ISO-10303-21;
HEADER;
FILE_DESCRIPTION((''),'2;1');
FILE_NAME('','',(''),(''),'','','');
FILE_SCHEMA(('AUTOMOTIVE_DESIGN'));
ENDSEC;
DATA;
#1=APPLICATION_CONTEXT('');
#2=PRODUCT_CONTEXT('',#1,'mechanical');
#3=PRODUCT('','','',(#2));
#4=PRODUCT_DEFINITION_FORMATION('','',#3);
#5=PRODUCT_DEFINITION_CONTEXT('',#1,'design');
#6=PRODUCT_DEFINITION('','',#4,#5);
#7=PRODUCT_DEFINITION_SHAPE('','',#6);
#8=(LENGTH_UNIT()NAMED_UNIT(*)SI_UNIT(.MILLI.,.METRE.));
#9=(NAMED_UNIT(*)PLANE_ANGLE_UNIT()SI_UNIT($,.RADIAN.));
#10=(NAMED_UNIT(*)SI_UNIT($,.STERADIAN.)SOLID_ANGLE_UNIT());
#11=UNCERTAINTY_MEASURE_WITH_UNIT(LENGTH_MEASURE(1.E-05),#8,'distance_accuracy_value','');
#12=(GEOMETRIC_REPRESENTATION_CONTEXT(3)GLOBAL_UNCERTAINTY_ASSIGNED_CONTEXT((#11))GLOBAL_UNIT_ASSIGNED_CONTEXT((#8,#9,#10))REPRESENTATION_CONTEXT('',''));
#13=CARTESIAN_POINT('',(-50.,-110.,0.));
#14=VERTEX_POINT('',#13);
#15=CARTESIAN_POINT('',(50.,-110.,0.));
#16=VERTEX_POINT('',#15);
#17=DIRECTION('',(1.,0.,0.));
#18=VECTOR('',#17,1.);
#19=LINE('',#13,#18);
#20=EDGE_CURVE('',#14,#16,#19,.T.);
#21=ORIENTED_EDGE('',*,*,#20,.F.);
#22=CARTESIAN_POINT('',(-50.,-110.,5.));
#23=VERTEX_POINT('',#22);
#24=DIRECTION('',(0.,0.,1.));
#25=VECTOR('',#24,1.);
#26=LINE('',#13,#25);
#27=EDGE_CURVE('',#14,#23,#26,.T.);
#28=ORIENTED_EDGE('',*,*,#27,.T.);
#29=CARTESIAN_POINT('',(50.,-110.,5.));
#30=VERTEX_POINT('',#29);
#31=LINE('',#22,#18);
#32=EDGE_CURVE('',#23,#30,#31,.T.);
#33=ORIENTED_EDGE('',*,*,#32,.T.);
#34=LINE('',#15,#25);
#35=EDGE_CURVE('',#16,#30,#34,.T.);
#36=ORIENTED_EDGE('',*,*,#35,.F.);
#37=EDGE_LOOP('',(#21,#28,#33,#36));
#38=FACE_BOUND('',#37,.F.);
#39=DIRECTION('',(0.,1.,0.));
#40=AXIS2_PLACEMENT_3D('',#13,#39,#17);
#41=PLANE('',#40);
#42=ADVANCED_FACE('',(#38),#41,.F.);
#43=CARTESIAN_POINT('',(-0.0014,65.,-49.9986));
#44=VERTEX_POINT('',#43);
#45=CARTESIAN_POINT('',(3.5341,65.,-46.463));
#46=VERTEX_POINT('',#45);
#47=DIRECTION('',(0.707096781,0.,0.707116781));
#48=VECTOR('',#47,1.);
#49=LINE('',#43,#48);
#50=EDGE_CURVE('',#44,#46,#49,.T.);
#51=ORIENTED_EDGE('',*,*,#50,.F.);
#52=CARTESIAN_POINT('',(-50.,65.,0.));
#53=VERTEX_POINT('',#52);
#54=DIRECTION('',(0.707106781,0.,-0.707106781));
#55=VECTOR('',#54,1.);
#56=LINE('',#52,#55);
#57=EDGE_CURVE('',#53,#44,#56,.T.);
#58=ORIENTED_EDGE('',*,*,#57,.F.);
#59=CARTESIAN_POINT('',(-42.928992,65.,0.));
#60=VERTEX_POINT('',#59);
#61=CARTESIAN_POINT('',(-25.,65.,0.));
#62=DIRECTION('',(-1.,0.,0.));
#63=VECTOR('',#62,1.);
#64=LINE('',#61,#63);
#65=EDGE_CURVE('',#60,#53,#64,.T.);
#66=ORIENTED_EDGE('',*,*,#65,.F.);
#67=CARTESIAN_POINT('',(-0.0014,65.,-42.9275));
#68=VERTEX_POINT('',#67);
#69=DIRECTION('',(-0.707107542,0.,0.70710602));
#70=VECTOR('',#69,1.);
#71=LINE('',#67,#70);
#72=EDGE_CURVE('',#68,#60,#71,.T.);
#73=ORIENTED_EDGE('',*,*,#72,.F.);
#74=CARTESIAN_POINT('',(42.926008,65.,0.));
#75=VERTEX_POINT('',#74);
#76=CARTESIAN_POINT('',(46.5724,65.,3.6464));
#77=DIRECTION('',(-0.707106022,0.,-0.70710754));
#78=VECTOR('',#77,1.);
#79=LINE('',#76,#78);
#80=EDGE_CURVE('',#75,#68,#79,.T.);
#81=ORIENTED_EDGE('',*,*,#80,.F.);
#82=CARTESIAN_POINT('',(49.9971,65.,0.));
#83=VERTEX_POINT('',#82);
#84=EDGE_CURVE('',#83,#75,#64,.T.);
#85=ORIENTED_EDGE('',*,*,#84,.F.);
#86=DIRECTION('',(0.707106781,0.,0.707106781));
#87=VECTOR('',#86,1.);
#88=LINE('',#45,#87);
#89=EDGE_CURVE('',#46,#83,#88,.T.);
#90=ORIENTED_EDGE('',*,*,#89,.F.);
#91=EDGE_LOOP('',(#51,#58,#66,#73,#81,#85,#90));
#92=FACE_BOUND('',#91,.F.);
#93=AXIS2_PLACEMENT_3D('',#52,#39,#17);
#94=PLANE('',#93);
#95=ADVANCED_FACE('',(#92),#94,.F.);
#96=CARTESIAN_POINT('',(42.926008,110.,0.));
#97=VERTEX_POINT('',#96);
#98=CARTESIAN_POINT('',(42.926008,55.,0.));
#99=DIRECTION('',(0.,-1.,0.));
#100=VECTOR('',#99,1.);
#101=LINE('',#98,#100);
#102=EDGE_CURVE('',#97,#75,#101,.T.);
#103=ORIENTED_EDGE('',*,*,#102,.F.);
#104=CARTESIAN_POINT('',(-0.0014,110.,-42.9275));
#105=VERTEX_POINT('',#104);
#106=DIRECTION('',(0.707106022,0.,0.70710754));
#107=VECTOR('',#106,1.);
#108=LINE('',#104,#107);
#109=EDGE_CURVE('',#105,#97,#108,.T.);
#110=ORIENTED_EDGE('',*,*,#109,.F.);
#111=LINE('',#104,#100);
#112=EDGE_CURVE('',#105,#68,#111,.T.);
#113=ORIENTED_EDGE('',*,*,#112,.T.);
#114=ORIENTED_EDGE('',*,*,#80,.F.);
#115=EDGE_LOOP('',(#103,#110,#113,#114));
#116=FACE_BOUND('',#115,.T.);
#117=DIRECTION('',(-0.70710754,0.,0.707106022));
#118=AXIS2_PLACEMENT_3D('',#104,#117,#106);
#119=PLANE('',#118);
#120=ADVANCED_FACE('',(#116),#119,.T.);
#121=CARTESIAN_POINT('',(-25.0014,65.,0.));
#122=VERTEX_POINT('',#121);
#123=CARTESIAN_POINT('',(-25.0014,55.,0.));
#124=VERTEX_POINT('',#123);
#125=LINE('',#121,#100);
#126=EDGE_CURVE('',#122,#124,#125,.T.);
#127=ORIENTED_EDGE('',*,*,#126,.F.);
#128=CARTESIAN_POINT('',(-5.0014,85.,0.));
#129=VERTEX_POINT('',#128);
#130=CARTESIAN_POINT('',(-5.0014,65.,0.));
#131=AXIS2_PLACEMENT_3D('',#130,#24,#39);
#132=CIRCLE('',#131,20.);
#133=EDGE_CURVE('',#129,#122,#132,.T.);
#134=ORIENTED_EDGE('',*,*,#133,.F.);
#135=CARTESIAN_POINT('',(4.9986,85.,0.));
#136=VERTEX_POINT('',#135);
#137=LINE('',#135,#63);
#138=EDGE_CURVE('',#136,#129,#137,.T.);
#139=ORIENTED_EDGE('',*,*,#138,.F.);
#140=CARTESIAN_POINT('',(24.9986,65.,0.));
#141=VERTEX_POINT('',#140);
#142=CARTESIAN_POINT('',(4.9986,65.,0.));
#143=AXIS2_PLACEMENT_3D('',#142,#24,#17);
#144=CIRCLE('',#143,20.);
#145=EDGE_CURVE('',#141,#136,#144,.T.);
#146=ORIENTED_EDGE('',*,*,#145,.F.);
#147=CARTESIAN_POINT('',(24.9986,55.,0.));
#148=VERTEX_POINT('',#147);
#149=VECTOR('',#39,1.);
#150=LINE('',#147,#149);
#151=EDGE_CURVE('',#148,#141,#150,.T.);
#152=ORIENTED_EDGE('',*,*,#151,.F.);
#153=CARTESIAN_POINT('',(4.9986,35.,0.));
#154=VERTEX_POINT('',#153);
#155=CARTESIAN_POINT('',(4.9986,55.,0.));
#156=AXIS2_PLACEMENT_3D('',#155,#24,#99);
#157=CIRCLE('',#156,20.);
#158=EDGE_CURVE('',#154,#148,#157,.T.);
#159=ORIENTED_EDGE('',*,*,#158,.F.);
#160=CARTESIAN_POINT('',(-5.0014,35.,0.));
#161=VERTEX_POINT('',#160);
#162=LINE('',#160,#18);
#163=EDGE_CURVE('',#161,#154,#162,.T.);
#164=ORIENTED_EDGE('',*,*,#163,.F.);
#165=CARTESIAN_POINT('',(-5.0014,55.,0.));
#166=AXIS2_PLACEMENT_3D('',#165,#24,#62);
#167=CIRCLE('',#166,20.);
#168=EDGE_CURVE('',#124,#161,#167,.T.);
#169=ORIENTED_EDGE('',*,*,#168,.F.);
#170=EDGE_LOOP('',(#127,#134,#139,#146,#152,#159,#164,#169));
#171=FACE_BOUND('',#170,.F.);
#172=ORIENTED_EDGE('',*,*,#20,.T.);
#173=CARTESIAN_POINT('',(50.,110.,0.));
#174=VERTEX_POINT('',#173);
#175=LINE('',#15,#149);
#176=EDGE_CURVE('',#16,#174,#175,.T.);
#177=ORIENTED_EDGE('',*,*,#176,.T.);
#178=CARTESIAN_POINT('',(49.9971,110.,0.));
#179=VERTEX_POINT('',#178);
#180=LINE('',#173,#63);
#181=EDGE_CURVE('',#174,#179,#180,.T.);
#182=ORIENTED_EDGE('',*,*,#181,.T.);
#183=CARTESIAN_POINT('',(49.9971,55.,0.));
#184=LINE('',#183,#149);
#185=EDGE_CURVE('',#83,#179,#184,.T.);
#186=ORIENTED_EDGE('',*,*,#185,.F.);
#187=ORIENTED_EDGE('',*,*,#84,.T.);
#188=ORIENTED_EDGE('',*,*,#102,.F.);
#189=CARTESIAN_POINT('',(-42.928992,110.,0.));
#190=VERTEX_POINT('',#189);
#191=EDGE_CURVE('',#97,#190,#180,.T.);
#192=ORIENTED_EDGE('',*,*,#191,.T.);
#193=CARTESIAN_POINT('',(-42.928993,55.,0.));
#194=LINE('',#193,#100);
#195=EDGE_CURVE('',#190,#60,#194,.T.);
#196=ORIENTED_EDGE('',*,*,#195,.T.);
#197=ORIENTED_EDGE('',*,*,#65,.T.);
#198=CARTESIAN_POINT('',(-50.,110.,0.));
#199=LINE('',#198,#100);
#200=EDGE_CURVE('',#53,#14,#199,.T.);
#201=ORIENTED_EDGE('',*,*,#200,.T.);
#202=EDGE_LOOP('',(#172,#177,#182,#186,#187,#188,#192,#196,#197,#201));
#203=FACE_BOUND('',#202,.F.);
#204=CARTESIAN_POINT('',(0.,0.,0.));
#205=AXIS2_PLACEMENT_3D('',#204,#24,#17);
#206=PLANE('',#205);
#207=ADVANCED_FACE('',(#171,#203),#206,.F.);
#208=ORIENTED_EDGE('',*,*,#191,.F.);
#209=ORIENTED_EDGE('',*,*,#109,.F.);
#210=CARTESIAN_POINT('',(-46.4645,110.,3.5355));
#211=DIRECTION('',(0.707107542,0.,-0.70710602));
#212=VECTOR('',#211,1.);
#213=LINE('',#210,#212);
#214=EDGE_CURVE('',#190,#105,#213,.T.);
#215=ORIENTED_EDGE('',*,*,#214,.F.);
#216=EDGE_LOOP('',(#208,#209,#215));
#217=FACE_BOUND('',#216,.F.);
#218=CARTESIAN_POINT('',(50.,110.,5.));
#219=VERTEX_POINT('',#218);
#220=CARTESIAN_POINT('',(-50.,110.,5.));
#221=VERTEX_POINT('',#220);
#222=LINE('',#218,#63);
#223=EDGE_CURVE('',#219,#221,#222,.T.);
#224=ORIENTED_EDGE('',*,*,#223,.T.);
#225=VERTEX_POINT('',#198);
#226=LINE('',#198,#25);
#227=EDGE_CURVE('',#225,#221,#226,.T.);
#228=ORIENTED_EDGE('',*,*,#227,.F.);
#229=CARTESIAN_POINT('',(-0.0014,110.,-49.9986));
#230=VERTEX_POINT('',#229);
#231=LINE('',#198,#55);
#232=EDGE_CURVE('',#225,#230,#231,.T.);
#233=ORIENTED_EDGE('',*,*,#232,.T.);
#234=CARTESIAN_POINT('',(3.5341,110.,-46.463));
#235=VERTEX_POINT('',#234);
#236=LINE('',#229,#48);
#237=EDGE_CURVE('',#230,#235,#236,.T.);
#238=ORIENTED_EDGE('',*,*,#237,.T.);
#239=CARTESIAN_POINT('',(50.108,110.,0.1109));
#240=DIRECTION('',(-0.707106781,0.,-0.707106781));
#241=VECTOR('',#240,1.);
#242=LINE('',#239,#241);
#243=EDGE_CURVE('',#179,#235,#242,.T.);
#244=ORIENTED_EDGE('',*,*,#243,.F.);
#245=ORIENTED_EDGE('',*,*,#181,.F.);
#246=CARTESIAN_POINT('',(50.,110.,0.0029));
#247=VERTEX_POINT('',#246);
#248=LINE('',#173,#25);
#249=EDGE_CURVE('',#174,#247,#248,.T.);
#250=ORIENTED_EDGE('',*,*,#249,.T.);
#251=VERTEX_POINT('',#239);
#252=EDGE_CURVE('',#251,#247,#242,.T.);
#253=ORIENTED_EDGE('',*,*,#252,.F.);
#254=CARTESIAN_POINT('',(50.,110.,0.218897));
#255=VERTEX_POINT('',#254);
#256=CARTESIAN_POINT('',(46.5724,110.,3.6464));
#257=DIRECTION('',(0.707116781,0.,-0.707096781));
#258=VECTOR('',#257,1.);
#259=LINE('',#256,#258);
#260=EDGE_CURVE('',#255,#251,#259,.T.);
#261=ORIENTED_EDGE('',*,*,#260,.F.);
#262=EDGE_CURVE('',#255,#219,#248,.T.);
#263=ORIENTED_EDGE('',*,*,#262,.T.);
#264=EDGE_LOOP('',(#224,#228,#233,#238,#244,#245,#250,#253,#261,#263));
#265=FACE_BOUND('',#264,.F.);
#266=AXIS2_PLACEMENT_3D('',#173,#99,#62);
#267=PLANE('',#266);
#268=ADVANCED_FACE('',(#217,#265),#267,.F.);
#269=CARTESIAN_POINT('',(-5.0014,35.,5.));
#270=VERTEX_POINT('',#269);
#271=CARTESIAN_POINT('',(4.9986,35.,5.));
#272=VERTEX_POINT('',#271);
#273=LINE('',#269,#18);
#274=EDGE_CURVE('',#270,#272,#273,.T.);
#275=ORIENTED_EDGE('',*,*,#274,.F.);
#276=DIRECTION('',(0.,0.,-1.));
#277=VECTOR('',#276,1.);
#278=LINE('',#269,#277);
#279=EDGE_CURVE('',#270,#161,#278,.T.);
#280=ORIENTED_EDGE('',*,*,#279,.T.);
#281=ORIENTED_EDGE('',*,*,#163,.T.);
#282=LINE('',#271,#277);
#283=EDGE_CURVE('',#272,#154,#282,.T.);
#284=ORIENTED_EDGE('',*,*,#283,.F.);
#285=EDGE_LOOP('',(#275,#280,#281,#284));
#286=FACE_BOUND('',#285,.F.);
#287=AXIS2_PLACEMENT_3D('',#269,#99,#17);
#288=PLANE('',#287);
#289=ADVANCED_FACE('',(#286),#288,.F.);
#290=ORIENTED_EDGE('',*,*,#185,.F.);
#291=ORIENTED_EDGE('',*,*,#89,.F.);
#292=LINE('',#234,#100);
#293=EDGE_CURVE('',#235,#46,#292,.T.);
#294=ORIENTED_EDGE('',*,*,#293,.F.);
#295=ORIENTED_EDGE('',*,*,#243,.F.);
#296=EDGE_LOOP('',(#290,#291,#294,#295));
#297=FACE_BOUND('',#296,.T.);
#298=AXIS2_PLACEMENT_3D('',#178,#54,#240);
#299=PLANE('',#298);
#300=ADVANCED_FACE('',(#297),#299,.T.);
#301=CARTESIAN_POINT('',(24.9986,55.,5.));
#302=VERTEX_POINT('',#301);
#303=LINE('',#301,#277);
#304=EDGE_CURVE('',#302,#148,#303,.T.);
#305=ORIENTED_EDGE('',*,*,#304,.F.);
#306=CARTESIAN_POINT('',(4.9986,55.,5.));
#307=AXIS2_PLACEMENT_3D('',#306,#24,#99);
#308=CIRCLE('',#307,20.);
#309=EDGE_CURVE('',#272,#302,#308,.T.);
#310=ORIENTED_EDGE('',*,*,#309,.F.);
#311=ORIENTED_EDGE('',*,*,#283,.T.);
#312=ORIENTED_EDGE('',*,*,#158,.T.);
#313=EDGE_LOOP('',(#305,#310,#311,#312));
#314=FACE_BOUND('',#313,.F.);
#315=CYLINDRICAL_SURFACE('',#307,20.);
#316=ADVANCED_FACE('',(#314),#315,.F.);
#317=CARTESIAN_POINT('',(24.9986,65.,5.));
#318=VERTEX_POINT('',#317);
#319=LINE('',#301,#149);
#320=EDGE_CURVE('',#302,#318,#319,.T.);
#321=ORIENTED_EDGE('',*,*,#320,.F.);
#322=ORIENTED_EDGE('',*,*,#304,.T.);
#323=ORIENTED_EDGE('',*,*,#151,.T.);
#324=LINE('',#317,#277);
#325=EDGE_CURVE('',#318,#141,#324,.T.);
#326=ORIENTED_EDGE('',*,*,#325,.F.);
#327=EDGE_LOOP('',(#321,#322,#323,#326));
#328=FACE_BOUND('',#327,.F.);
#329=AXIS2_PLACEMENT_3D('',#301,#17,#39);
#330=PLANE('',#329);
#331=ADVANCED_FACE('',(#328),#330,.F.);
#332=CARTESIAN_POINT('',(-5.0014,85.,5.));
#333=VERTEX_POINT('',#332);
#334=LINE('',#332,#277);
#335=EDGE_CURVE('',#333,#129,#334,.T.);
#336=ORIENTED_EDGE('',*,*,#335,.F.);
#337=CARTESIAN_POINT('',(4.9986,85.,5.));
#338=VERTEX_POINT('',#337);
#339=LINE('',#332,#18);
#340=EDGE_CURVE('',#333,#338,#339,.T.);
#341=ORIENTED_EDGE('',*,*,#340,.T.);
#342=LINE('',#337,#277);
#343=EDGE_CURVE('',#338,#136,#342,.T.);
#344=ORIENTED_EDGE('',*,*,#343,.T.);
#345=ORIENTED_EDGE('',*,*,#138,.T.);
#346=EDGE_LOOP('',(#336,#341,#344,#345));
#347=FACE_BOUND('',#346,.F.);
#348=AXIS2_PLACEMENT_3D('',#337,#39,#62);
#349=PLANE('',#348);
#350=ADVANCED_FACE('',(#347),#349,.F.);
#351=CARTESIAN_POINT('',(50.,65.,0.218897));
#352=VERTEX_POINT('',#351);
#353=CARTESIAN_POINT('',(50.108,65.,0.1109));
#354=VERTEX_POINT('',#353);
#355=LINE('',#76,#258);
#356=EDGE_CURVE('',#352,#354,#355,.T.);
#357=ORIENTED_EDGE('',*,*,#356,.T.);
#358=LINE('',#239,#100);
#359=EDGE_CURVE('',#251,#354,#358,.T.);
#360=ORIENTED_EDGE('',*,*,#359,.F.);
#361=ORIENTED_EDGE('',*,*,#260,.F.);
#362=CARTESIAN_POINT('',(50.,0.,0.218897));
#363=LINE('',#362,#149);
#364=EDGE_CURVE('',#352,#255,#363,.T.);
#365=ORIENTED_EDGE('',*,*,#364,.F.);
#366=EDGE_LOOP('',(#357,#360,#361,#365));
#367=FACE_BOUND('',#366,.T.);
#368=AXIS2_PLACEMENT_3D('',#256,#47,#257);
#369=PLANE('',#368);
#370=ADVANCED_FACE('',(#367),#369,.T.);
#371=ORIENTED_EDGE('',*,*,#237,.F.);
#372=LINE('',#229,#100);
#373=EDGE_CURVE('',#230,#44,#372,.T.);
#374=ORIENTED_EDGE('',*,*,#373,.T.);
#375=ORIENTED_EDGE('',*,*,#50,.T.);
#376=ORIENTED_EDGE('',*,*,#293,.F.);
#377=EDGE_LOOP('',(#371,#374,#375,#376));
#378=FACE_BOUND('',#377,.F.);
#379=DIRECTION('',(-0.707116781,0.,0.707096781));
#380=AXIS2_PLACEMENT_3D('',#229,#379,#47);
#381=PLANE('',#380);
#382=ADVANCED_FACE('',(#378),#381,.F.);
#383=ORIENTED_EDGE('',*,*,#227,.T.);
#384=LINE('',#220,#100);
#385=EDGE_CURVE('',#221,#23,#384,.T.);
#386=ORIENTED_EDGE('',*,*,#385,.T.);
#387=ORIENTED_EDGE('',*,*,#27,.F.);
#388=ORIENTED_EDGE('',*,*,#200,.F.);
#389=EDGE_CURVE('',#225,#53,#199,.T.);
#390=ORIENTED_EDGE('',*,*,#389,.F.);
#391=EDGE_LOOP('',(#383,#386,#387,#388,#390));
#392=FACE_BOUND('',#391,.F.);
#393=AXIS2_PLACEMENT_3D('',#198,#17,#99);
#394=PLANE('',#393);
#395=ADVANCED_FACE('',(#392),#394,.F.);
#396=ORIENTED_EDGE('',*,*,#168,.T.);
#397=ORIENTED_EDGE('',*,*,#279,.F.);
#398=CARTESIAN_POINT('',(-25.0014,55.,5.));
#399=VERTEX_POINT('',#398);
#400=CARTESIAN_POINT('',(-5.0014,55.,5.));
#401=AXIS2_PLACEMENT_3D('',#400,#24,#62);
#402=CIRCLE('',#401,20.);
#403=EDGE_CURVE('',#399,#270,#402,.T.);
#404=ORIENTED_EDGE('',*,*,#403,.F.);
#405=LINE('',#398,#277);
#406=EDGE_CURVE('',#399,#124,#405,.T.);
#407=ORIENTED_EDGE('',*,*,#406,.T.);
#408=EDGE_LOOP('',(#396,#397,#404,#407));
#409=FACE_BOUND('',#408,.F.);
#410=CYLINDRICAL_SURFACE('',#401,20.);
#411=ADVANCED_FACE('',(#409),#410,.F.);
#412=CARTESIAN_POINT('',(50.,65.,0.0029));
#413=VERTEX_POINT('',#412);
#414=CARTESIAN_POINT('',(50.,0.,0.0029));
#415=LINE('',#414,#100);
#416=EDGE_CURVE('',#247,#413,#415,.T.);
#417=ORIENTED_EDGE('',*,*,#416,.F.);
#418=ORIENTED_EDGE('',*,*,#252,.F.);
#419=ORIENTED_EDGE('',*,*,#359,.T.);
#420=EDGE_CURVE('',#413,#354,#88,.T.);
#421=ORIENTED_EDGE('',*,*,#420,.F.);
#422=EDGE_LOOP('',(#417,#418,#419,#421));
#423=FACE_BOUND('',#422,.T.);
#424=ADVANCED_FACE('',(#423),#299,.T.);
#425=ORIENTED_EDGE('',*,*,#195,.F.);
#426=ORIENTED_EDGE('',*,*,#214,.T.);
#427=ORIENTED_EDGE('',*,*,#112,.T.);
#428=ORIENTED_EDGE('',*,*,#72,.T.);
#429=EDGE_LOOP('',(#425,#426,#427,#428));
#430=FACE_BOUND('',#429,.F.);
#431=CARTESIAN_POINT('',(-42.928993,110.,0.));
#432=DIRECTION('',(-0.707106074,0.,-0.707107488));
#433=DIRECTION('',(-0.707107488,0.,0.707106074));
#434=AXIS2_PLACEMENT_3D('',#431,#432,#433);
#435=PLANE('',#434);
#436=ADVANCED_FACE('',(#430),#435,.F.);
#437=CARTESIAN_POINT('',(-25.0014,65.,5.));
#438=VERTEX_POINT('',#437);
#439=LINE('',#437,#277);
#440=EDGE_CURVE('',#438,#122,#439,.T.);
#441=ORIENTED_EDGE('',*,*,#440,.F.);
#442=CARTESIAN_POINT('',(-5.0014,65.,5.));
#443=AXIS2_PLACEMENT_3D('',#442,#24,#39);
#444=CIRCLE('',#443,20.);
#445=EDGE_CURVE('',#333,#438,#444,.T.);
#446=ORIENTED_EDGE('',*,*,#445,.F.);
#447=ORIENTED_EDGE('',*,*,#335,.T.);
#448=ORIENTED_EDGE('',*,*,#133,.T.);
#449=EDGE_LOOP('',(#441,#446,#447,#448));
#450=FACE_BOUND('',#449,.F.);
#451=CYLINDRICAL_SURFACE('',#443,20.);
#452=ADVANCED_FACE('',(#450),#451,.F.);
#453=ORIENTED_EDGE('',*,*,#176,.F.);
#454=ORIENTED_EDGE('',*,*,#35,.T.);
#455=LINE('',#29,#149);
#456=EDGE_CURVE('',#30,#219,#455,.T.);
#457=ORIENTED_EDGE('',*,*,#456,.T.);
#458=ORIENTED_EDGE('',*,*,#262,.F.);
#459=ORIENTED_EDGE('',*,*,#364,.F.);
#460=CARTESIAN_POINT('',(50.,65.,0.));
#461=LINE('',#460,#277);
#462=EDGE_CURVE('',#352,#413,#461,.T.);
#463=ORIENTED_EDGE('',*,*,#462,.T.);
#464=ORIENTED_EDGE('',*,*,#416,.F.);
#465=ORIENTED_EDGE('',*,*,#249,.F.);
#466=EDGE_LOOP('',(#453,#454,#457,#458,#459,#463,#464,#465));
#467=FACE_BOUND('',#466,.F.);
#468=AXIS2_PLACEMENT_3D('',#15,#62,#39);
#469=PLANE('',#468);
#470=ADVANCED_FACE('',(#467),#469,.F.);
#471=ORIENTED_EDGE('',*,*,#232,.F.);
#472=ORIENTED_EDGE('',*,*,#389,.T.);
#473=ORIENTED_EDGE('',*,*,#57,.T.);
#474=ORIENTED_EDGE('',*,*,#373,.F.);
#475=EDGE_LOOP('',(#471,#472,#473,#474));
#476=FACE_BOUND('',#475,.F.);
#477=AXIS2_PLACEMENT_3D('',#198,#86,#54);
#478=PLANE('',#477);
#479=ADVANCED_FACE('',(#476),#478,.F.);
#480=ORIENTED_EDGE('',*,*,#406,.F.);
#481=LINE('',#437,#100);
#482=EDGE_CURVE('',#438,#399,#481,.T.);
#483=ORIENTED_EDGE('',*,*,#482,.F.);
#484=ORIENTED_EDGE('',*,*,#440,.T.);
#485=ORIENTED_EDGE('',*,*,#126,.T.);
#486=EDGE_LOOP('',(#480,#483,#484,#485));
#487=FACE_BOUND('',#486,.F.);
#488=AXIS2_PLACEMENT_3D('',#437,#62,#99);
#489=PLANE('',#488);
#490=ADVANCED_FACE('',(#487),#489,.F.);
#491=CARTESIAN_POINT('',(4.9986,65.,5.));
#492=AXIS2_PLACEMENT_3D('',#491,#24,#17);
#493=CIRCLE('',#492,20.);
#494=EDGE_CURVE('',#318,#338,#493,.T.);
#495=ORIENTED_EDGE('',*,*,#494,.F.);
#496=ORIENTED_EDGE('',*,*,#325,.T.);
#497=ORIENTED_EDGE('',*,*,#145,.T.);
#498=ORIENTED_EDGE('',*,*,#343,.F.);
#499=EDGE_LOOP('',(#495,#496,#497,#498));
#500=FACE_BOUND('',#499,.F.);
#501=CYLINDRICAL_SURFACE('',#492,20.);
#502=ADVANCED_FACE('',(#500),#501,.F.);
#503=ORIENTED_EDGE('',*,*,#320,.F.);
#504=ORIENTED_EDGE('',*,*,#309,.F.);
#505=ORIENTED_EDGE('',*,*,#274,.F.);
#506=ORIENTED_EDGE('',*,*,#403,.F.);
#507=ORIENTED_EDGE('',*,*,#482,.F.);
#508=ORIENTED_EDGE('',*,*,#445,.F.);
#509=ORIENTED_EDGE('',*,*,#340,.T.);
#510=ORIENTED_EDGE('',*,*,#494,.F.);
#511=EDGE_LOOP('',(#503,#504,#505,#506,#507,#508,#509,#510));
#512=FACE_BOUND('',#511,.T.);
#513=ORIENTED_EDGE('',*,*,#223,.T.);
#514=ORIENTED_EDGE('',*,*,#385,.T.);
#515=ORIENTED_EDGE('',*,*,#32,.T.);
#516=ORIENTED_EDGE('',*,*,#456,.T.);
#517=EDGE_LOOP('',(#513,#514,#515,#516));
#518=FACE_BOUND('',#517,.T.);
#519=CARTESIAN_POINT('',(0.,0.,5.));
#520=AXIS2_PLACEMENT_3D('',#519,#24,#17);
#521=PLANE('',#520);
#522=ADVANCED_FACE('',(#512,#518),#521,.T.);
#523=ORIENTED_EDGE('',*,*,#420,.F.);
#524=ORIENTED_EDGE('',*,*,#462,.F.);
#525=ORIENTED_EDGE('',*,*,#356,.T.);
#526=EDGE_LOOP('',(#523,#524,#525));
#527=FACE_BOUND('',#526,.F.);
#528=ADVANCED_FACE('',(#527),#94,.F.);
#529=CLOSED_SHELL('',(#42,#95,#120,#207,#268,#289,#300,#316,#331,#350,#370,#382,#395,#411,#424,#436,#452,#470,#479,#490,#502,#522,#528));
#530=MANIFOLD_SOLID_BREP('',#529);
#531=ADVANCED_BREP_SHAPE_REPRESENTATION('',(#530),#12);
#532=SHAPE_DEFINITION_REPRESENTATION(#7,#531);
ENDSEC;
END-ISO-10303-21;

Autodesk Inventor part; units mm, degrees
ref_plane "YZ Plane" through (0, 0, 0) normal (1, 0, 0) x (0, 1, 0)
ref_plane "XZ Plane" through (0, 0, 0) normal (0, 1, 0) x (-1, 0, 0)
ref_plane "XY Plane" through (0, 0, 0) normal (0, 0, 1) x (1, 0, 0)
sketch "Sketch1" plane through (0, 0, 0) normal (0, 0, 1) x (1, 0, 0)
  line L0 (-50, -110) -> (50, -110)
  line L1 (50, -110) -> (50, 110)
  line L2 (50, 110) -> (-50, 110)
  line L3 (-50, 110) -> (-50, -110)
  line L4 (-50, -110) -> (50, 110) construction
  line L5 (50, -110) -> (-50, 110) construction
  point P0 (0, 0)
  dimension "d0" = 100
  dimension "d1" = 220
extrude "Extrusion1" add sketch "Sketch1" along normal blind 5
sketch "Sketch2" plane through (-50, 110, 0) normal (0, 1, 0) x (1, 0, 0)
  line L0 (0, 0) -> (100, 0) projected
  line L1 (0, 0) -> (49.9986, 49.9986)
  line L2 (49.9986, 49.9986) -> (53.5341, 46.463)
  line L3 (53.5341, 46.463) -> (3.5355, -3.5355)
  line L4 (3.5355, -3.5355) -> (0, 0)
  line L5 (0, 0) -> (70.7086, 0) construction
  line L6 (100.108, -0.1109) -> (53.5341, 46.463)
  line L7 (53.5341, 46.463) -> (49.9986, 42.9275)
  line L8 (49.9986, 42.9275) -> (96.5724, -3.6464)
  line L9 (96.5724, -3.6464) -> (100.108, -0.1109)
  point P0 (50, 0)
  point P1 (49.9986, 42.9275)
  dimension "d4" = 45
  dimension "d5" = 5
  dimension "d6" = 5
extrude "Extrusion2" add sketch "Sketch2" against normal blind 45 contours L1 L2 L3 L0 | L0 L3 L4 | L8 L3 L6 L0 | L0 L6 L9 L8
sketch "Sketch5" plane through (0, 0, 5) normal (0, 0, 1) x (1, 0, 0)
  line L0 (4.9986, 85) -> (-5.0014, 85)
  line L1 (-25.0014, 65) -> (-25.0014, 55)
  line L2 (-5.0014, 35) -> (4.9986, 35)
  line L3 (24.9986, 55) -> (24.9986, 65)
  line L4 (-0.0014, 110) -> (-0.0014, 65) projected
  line L5 (24.9986, 85) -> (-25.0014, 35) construction
  line L6 (-25.0014, 85) -> (24.9986, 35) construction
  arc A0 (4.9986, 35) -> (24.9986, 55) centre (4.9986, 55) ccw
  arc A1 (-25.0014, 55) -> (-5.0014, 35) centre (-5.0014, 55) ccw
  arc A2 (-5.0014, 85) -> (-25.0014, 65) centre (-5.0014, 65) ccw
  arc A3 (24.9986, 65) -> (4.9986, 85) centre (4.9986, 65) ccw
  point P0 (0, 0)
  point P1 (-0.0014, 60)
  dimension "d16" = 50
  dimension "d17" = 50
  dimension "d18" = 20
extrude "Extrusion5" cut sketch "Sketch5" against normal blind 5
properties part number "fixation_v04"
